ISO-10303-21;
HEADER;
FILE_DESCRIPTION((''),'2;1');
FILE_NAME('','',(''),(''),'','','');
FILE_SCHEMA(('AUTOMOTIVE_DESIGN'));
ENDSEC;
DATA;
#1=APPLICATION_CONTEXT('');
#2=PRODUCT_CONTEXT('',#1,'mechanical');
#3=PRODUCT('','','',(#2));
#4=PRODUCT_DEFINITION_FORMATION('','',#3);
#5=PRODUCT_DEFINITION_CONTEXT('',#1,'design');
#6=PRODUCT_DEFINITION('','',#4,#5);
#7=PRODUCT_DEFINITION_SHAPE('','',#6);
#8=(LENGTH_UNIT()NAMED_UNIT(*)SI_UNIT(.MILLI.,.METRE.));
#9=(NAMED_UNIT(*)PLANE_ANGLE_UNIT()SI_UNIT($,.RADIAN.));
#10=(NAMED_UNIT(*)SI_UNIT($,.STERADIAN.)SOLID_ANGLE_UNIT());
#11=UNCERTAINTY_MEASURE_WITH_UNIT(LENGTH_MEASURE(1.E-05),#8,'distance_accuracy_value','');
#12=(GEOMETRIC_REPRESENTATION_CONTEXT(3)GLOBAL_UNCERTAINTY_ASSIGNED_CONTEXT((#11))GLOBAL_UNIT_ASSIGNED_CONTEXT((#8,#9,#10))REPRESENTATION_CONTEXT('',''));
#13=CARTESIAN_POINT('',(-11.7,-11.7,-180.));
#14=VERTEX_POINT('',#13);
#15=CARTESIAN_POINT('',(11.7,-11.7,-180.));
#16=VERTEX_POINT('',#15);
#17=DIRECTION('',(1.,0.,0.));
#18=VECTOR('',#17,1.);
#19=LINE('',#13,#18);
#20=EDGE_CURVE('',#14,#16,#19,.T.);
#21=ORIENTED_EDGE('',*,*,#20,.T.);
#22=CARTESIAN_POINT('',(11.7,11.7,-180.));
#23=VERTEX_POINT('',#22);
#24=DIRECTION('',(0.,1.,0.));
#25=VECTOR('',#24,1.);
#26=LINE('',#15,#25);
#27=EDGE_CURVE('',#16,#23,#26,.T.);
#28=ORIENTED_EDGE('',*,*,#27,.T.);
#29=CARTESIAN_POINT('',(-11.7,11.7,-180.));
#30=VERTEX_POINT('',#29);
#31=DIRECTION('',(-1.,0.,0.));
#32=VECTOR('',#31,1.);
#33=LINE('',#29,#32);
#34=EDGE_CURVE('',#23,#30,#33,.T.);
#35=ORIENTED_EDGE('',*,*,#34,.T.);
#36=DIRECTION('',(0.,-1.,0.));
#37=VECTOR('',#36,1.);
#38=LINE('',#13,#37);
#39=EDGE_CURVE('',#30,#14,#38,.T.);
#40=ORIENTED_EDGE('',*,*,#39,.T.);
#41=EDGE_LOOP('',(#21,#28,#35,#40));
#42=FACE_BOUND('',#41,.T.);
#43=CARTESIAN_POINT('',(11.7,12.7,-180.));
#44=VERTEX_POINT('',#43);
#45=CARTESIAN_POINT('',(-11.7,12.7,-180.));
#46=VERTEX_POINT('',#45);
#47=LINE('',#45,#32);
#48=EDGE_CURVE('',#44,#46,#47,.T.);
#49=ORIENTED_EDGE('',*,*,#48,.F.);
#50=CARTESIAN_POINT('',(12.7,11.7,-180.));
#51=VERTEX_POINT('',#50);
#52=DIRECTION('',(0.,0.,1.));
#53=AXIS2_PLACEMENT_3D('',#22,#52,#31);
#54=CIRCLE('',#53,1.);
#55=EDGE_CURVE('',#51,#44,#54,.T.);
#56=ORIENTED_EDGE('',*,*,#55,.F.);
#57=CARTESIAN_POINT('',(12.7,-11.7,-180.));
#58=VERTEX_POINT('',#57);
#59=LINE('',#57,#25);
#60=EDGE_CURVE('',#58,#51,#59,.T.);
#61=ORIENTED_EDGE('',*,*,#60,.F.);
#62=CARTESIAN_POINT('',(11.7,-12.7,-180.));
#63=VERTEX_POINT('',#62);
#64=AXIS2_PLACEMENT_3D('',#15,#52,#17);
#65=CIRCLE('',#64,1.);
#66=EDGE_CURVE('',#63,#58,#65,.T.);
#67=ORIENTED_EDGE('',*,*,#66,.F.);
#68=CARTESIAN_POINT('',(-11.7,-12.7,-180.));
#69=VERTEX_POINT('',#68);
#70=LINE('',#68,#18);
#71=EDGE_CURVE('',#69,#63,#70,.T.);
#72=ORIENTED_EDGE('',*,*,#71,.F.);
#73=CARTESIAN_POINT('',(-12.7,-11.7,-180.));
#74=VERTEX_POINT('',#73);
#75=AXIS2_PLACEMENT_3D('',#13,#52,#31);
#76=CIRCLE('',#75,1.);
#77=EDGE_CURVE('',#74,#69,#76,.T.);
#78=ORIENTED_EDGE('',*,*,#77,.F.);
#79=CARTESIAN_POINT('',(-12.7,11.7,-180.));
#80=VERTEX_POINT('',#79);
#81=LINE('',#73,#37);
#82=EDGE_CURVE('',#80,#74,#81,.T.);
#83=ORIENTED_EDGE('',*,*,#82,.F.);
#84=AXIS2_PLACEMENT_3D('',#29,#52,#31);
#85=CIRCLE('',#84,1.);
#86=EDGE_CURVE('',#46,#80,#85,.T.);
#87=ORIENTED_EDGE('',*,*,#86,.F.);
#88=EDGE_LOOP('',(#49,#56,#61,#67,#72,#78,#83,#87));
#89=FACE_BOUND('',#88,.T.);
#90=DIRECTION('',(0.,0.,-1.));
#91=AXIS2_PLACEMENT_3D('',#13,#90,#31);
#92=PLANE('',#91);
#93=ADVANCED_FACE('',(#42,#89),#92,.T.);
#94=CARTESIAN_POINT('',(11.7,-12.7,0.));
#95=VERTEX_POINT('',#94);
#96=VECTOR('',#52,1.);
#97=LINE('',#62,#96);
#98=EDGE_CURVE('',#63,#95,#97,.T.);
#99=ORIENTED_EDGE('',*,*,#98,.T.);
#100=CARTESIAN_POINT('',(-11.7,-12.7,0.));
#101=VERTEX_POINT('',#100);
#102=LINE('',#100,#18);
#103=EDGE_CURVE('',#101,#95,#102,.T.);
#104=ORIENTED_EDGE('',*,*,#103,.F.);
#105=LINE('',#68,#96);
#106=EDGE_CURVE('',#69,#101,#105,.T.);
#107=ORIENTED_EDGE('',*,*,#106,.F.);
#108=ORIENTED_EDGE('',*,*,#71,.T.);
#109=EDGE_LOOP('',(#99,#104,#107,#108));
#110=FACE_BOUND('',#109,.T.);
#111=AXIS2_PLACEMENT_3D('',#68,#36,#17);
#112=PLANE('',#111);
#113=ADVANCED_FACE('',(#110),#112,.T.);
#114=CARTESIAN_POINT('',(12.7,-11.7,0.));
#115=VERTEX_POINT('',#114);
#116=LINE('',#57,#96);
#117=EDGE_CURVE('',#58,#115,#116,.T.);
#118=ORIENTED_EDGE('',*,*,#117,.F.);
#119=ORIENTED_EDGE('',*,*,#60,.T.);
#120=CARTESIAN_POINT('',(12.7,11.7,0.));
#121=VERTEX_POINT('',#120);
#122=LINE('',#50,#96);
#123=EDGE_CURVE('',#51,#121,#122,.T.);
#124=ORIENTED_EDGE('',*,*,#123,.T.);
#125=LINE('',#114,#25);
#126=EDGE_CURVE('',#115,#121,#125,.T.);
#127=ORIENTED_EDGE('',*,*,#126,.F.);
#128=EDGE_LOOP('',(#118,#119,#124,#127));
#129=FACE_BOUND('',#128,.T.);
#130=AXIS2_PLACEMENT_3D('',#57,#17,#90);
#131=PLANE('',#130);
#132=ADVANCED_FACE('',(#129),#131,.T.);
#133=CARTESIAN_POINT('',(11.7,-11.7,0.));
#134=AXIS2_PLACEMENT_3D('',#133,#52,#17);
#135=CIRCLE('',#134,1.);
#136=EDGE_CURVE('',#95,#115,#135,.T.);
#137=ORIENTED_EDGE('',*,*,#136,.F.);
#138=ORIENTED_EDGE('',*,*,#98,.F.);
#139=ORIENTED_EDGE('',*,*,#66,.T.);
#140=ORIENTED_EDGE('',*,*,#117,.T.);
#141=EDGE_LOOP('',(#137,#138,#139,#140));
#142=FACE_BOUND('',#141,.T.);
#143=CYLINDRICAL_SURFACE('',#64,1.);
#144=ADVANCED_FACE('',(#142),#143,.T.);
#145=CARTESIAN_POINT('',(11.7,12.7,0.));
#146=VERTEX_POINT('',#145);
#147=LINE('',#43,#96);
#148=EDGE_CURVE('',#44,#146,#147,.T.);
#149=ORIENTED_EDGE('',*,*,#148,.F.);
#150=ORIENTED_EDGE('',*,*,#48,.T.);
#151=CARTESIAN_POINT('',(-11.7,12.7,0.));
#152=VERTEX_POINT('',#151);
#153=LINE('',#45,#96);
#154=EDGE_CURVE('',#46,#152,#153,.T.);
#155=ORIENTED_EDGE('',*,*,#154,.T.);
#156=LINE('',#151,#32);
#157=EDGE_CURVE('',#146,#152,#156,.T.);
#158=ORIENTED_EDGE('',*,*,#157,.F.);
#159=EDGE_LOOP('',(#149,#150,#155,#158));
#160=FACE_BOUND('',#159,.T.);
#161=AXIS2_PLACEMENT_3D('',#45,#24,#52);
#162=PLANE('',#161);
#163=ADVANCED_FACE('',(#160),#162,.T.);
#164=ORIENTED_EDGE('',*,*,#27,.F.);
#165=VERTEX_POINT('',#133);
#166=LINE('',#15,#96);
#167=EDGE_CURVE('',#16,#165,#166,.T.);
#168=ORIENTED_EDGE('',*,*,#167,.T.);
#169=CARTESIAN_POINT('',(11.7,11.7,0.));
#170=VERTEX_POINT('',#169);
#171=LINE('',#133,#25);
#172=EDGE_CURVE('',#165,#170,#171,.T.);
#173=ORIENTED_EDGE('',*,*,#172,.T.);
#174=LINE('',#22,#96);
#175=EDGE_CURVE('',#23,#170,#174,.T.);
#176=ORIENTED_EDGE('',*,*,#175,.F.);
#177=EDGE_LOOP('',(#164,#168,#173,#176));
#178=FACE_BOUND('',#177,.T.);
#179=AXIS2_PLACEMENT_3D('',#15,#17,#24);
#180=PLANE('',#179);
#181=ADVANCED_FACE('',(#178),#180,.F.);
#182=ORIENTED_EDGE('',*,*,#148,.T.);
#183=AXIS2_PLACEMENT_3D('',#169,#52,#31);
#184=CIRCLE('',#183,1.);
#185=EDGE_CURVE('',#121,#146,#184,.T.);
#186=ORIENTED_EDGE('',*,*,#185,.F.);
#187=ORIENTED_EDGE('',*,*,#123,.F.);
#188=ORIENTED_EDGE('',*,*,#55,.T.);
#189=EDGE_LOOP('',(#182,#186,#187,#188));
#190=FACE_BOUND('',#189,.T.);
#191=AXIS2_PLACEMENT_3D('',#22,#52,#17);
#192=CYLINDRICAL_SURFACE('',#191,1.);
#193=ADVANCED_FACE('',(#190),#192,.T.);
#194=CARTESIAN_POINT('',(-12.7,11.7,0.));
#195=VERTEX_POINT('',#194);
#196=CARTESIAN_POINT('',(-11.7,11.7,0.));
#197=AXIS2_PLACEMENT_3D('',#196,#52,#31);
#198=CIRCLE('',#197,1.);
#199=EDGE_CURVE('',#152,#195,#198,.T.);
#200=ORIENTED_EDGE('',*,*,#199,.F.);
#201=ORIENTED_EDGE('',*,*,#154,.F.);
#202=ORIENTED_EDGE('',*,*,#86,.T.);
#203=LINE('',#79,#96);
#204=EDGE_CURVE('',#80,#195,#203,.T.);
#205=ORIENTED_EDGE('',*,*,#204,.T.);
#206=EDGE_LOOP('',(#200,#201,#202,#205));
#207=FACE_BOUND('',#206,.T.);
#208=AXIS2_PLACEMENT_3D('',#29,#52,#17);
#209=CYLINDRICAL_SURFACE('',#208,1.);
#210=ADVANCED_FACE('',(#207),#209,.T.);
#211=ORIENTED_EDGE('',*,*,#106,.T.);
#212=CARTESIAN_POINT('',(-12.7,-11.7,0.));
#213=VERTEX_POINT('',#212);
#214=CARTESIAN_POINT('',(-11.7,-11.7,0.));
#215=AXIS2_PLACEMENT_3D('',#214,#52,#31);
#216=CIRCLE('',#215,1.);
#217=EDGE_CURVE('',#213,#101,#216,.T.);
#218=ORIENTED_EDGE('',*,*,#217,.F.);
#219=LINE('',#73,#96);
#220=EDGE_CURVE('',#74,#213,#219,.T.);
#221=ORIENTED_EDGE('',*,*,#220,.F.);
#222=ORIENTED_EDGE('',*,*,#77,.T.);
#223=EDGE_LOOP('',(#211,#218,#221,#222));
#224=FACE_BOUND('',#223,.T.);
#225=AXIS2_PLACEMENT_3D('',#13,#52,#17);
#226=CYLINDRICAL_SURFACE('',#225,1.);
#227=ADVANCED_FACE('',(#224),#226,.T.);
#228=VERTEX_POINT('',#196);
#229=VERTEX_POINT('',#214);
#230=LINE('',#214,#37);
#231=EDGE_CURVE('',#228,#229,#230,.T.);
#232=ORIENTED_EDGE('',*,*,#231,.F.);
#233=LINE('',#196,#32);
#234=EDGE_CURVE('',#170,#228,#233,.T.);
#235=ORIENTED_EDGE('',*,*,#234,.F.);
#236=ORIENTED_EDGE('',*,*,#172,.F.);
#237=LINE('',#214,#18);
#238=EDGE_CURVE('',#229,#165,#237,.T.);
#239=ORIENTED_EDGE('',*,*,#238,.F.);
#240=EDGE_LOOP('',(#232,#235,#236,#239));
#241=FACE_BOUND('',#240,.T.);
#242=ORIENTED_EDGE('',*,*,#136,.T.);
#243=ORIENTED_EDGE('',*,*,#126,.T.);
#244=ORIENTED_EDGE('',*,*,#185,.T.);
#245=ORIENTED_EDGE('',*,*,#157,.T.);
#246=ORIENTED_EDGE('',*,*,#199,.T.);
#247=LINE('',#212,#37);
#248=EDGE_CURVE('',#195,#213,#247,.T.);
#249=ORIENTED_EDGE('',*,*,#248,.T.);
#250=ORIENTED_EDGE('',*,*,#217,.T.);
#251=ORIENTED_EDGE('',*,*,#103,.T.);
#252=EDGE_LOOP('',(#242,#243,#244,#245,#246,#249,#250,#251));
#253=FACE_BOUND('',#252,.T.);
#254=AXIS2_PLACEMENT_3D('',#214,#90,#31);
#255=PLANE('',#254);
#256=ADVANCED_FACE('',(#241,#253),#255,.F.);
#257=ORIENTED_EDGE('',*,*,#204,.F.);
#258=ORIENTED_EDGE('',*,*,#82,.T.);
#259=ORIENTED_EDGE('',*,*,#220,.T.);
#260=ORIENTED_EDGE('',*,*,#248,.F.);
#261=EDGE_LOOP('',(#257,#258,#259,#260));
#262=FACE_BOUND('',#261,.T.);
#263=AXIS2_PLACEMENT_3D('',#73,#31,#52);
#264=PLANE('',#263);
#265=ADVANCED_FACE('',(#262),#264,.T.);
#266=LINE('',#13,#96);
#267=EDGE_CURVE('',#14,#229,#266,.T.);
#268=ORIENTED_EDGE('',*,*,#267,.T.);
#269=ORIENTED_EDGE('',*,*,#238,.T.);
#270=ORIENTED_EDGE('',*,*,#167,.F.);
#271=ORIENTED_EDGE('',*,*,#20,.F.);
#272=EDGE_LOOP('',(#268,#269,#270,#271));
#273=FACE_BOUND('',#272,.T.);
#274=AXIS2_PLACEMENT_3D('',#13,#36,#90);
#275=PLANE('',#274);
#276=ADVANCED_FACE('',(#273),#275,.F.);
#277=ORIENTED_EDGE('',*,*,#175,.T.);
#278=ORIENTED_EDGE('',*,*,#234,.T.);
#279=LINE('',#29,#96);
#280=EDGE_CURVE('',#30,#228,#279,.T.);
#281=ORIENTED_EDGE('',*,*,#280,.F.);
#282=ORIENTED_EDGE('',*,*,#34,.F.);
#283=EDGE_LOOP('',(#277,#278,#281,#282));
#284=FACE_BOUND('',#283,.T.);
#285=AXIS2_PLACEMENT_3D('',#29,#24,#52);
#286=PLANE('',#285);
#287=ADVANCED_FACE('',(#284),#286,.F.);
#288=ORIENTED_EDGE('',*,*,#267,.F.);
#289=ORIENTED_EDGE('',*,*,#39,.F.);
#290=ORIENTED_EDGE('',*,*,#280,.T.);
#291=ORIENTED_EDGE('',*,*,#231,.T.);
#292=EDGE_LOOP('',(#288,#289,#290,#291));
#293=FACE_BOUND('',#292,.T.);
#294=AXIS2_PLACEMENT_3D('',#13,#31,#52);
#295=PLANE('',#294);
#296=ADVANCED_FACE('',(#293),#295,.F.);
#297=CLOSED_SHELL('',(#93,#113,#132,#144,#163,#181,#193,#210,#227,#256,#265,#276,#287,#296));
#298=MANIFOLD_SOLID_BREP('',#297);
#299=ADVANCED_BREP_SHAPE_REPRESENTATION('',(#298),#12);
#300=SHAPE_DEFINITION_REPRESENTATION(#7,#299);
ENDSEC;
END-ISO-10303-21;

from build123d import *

# Parameters (mm, degrees)
CROQUIS1_W              = 23.4
CROQUIS1_H              = 23.4
SALIENTE_EXTRUIR1_DEPTH = 180


with BuildPart() as part:
    # Croquis1 → Saliente-Extruir1 (new body)
    with BuildSketch(Plane.XY):
        with BuildLine():
            Line((-11.7, -12.7), (11.7, -12.7))
            ThreePointArc((11.7, -12.7), (12.407106781, -12.407106781), (12.7, -11.7))
            Line((12.7, -11.7), (12.7, 11.7))
            ThreePointArc((12.7, 11.7), (12.407106781, 12.407106781), (11.7, 12.7))
            Line((11.7, 12.7), (-11.7, 12.7))
            ThreePointArc((-11.7, 12.7), (-12.407106781, 12.407106781), (-12.7, 11.7))
            Line((-12.7, 11.7), (-12.7, -11.7))
            ThreePointArc((-12.7, -11.7), (-12.407106781, -12.407106781), (-11.7, -12.7))
        make_face()
        Rectangle(CROQUIS1_W, CROQUIS1_H, mode=Mode.SUBTRACT)
    extrude(amount=-SALIENTE_EXTRUIR1_DEPTH)


solid = part.part
